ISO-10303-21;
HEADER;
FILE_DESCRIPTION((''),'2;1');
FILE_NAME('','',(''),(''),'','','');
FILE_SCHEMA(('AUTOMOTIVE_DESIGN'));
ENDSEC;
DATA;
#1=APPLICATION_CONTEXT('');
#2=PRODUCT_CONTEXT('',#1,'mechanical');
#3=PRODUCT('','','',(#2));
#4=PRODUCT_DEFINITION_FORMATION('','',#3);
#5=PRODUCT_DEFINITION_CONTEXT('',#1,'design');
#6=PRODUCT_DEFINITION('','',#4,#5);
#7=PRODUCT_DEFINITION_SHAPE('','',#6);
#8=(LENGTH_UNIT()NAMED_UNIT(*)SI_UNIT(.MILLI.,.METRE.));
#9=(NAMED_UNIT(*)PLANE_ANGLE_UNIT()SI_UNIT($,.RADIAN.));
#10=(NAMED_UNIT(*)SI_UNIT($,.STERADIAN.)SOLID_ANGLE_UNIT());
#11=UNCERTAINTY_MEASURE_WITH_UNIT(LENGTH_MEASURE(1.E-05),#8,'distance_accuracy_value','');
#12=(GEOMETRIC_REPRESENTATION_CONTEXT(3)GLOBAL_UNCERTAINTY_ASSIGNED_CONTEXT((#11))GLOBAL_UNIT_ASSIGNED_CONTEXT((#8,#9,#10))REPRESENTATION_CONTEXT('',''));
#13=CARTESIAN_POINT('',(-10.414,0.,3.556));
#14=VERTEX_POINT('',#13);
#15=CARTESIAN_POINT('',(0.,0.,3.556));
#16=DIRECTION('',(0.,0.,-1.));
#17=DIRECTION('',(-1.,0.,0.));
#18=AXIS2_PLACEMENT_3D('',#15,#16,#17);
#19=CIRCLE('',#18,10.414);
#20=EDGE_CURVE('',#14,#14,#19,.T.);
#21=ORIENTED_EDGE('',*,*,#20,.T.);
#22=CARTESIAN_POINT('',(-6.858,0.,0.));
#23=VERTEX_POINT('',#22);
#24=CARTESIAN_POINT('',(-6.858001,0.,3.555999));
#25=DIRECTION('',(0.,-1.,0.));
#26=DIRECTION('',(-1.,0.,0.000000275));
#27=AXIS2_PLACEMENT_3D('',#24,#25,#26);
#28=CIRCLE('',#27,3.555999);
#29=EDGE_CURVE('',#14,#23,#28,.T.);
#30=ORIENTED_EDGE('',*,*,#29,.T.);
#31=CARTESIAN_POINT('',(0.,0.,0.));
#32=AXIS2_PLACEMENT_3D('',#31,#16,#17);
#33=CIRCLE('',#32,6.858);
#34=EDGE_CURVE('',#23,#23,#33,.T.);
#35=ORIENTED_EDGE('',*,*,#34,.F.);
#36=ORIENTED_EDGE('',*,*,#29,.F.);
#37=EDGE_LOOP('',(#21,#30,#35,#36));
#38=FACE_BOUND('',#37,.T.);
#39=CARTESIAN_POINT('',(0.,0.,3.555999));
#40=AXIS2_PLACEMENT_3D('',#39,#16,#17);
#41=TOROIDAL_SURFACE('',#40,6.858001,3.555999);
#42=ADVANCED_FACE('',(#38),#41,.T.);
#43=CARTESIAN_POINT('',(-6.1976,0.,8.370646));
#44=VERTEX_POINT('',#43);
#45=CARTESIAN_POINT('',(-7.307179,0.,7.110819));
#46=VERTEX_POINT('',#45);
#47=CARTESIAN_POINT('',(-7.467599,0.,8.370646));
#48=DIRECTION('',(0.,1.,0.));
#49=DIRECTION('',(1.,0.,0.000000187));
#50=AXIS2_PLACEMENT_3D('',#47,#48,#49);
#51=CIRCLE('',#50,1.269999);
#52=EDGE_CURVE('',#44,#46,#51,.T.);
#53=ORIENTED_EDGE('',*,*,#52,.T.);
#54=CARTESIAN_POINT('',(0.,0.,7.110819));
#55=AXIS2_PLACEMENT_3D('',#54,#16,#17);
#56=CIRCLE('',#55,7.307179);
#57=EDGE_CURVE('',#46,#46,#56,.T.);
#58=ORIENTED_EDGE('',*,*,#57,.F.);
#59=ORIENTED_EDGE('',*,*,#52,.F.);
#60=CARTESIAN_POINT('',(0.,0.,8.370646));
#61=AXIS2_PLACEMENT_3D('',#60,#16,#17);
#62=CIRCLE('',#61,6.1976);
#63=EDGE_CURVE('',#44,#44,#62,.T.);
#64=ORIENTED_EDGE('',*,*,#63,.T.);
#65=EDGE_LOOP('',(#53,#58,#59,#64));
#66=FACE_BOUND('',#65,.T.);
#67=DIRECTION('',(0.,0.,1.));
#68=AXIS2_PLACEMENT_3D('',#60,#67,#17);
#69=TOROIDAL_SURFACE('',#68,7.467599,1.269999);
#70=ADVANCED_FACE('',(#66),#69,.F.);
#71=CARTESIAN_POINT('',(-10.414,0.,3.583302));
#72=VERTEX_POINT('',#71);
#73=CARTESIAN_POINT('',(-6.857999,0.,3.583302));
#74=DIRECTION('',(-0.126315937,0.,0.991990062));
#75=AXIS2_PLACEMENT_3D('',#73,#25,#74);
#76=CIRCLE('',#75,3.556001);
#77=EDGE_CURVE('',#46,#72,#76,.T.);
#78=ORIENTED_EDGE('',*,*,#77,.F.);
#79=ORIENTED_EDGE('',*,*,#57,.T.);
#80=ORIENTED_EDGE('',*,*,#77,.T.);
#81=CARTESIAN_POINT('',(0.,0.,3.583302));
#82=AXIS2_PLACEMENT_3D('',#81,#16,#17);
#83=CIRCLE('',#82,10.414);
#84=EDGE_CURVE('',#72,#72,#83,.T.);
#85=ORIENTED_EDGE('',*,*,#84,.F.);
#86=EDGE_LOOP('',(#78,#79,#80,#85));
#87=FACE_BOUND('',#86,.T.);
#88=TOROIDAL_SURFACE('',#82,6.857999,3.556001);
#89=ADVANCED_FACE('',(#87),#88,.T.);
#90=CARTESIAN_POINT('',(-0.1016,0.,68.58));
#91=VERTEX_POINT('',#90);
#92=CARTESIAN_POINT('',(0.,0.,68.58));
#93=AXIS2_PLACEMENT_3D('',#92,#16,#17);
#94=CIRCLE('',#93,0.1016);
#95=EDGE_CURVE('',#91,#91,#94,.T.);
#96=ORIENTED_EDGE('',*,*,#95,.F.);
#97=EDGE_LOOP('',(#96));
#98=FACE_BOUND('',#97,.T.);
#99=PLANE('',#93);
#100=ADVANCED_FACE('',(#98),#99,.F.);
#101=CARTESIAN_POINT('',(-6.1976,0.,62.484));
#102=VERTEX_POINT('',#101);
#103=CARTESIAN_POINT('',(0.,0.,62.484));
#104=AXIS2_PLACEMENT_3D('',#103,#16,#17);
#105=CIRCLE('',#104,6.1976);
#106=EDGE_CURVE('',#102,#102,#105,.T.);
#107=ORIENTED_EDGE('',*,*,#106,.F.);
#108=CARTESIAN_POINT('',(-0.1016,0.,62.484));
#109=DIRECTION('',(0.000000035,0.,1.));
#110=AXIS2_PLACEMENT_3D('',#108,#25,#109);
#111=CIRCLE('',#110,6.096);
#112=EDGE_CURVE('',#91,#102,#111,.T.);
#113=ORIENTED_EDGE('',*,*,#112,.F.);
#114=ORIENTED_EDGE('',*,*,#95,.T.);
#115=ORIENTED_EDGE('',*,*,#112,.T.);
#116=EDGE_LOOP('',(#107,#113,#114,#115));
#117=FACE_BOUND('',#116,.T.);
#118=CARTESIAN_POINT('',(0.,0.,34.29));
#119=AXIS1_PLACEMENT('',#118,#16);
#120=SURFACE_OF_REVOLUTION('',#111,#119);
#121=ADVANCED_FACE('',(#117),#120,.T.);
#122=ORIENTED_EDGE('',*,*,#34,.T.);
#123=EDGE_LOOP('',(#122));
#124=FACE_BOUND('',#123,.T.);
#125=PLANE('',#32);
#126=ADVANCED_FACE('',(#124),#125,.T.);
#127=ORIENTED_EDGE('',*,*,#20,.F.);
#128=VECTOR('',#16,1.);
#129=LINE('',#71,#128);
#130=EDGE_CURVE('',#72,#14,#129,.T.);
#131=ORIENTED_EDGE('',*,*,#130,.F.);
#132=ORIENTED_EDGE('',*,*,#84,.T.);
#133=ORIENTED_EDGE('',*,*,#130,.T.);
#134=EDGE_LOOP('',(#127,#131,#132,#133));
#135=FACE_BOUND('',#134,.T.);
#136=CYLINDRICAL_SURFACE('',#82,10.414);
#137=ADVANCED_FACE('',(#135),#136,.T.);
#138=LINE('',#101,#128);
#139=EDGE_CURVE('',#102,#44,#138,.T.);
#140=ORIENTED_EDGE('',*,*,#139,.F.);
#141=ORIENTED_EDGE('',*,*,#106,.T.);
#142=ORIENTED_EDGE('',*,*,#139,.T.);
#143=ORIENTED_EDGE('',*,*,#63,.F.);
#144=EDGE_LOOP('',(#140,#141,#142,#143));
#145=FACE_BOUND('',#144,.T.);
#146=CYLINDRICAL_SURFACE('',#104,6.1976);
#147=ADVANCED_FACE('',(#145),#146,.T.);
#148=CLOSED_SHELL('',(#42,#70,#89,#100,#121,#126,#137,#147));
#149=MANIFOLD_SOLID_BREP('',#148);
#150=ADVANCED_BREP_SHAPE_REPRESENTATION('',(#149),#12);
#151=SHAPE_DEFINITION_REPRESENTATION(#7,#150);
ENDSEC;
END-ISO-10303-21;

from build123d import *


with BuildPart() as f1:
    # F0 (on Front) → F1 (revolve)
    with BuildSketch(Plane.XZ):
        with BuildLine():
            Line((-6.858, 0), (0, 0))
            Line((0, 0), (0, 68.58))
            Line((0, 68.58), (-0.1016, 68.58))
            ThreePointArc((-0.1016, 68.58), (-4.412123, 66.794523), (-6.1976, 62.484))
            Line((-6.1976, 62.484), (-6.1976, 8.370646))
            ThreePointArc((-6.1976, 8.370646), (-6.514543, 7.531252), (-7.307179, 7.110819))
            ThreePointArc((-7.307179, 7.110819), (-9.526559, 5.933606), (-10.414, 3.583302))
            Line((-10.414, 3.583302), (-10.414, 3.556))
            ThreePointArc((-10.414, 3.556), (-9.372472, 1.041528), (-6.858, 0))
        make_face()
    revolve(axis=Axis((0, 0, 34.29), (0, 0, -1)))


solid = f1.part
